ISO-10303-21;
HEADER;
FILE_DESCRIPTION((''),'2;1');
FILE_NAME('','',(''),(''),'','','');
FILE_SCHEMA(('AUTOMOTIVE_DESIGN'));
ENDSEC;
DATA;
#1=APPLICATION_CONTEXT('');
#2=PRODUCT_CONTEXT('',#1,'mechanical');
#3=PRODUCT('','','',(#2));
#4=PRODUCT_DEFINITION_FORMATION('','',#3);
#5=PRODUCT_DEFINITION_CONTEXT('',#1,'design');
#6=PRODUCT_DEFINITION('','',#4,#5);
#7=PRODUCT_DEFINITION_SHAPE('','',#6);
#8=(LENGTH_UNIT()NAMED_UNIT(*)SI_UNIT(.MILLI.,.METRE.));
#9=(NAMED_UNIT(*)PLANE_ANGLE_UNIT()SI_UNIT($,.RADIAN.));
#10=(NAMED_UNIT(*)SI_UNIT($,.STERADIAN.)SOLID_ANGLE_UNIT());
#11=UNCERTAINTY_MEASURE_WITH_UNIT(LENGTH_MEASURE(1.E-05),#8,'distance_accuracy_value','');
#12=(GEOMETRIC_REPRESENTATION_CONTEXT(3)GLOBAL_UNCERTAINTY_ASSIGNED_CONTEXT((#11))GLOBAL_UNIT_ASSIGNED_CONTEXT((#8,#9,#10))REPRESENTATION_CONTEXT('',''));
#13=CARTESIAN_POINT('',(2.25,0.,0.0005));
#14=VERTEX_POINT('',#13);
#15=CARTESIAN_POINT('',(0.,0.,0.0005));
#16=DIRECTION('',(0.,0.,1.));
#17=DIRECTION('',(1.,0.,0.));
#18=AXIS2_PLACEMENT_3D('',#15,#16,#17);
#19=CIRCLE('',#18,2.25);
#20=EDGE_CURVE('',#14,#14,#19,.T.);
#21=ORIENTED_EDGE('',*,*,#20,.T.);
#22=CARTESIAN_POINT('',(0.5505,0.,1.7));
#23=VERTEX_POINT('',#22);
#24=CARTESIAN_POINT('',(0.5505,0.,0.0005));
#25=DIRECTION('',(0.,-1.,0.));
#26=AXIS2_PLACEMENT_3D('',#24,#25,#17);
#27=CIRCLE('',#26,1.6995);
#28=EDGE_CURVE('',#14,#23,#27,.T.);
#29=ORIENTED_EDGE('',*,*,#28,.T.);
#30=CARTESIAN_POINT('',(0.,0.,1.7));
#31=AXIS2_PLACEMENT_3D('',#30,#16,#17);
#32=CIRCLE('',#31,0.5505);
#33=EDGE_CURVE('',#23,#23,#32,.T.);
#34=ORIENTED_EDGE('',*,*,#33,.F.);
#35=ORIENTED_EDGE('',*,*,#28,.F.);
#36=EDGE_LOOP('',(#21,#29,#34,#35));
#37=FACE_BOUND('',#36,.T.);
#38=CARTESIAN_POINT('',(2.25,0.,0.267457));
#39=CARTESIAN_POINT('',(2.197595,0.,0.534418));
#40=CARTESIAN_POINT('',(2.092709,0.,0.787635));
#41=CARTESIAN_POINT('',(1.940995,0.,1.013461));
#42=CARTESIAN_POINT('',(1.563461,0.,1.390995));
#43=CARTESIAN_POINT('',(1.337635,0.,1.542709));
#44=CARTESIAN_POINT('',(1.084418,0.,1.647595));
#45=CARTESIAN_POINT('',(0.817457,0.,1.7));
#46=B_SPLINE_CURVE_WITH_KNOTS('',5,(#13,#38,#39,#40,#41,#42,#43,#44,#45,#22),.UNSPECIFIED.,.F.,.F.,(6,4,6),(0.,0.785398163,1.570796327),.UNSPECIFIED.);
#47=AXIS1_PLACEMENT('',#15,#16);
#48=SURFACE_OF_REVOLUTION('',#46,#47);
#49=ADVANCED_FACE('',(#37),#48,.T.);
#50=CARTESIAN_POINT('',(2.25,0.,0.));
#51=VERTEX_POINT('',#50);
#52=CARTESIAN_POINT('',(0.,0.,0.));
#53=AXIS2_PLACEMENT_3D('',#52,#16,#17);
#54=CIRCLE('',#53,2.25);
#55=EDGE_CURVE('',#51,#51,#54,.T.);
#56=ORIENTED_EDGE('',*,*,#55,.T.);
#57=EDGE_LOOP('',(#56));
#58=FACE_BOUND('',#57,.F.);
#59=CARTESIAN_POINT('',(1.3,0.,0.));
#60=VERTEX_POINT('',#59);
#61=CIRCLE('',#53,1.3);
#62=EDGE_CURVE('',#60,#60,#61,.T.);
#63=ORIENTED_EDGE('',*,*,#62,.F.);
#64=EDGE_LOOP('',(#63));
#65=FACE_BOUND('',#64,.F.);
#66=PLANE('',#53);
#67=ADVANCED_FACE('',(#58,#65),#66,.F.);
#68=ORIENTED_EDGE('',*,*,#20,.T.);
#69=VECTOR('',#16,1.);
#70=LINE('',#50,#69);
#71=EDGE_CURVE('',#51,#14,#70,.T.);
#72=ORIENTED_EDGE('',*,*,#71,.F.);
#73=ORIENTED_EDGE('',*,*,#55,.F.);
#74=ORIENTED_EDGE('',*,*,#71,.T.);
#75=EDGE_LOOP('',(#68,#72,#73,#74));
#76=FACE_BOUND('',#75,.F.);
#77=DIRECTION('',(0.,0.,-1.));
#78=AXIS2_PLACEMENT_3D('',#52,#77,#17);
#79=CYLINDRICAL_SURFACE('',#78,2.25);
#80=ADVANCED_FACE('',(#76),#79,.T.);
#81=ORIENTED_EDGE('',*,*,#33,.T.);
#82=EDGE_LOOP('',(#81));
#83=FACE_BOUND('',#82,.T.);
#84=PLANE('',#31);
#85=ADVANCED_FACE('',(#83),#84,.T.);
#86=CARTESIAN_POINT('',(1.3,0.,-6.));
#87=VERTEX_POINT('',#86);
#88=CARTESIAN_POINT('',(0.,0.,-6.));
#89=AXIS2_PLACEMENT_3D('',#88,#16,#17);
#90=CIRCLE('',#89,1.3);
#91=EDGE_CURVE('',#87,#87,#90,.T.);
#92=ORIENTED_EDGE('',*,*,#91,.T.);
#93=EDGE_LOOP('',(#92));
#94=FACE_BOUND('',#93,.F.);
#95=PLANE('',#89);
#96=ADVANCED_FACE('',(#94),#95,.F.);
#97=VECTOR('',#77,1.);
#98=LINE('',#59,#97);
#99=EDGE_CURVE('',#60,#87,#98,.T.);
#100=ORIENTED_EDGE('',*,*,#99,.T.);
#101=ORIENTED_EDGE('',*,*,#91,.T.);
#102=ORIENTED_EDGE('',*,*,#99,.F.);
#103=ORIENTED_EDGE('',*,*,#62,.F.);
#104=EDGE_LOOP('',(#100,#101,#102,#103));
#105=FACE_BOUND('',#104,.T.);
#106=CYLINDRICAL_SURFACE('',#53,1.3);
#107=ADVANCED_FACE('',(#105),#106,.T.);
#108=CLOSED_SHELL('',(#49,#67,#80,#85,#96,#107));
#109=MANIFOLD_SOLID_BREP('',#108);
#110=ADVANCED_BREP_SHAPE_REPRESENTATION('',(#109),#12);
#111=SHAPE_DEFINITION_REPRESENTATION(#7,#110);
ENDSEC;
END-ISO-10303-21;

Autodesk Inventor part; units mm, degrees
ref_plane "YZ Plane" through (0, 0, 0) normal (1, 0, 0) x (0, 1, 0)
ref_plane "XZ Plane" through (0, 0, 0) normal (0, 1, 0) x (-1, 0, 0)
ref_plane "XY Plane" through (0, 0, 0) normal (0, 0, 1) x (1, 0, 0)
sketch "スケッチ1" plane through (0, 0, 0) normal (0, 0, 1) x (1, 0, 0)
  circle A0 centre (0, 0) radius 1.3
  dimension "d0" = 2.6
extrude "押し出し1" add sketch "スケッチ1" against normal blind 6
sketch "スケッチ2" plane through (0, 0, 0) normal (0, 0, 1) x (1, 0, 0)
  circle A0 centre (0, 0) radius 2.25
  dimension "d3" = 4.5
extrude "押し出し2" add sketch "スケッチ2" along normal blind 1.7
fillet "フィレット1" radius 1.7 1 edges at (-2.25, 0, 1.7)
thread "ねじ1" size "M2.6x0.45" class "6g" standard "ANSI Metric M Profile" full length
properties part number "ネジ鍋m2.6,06" material "鋼、高強度、低合金"
